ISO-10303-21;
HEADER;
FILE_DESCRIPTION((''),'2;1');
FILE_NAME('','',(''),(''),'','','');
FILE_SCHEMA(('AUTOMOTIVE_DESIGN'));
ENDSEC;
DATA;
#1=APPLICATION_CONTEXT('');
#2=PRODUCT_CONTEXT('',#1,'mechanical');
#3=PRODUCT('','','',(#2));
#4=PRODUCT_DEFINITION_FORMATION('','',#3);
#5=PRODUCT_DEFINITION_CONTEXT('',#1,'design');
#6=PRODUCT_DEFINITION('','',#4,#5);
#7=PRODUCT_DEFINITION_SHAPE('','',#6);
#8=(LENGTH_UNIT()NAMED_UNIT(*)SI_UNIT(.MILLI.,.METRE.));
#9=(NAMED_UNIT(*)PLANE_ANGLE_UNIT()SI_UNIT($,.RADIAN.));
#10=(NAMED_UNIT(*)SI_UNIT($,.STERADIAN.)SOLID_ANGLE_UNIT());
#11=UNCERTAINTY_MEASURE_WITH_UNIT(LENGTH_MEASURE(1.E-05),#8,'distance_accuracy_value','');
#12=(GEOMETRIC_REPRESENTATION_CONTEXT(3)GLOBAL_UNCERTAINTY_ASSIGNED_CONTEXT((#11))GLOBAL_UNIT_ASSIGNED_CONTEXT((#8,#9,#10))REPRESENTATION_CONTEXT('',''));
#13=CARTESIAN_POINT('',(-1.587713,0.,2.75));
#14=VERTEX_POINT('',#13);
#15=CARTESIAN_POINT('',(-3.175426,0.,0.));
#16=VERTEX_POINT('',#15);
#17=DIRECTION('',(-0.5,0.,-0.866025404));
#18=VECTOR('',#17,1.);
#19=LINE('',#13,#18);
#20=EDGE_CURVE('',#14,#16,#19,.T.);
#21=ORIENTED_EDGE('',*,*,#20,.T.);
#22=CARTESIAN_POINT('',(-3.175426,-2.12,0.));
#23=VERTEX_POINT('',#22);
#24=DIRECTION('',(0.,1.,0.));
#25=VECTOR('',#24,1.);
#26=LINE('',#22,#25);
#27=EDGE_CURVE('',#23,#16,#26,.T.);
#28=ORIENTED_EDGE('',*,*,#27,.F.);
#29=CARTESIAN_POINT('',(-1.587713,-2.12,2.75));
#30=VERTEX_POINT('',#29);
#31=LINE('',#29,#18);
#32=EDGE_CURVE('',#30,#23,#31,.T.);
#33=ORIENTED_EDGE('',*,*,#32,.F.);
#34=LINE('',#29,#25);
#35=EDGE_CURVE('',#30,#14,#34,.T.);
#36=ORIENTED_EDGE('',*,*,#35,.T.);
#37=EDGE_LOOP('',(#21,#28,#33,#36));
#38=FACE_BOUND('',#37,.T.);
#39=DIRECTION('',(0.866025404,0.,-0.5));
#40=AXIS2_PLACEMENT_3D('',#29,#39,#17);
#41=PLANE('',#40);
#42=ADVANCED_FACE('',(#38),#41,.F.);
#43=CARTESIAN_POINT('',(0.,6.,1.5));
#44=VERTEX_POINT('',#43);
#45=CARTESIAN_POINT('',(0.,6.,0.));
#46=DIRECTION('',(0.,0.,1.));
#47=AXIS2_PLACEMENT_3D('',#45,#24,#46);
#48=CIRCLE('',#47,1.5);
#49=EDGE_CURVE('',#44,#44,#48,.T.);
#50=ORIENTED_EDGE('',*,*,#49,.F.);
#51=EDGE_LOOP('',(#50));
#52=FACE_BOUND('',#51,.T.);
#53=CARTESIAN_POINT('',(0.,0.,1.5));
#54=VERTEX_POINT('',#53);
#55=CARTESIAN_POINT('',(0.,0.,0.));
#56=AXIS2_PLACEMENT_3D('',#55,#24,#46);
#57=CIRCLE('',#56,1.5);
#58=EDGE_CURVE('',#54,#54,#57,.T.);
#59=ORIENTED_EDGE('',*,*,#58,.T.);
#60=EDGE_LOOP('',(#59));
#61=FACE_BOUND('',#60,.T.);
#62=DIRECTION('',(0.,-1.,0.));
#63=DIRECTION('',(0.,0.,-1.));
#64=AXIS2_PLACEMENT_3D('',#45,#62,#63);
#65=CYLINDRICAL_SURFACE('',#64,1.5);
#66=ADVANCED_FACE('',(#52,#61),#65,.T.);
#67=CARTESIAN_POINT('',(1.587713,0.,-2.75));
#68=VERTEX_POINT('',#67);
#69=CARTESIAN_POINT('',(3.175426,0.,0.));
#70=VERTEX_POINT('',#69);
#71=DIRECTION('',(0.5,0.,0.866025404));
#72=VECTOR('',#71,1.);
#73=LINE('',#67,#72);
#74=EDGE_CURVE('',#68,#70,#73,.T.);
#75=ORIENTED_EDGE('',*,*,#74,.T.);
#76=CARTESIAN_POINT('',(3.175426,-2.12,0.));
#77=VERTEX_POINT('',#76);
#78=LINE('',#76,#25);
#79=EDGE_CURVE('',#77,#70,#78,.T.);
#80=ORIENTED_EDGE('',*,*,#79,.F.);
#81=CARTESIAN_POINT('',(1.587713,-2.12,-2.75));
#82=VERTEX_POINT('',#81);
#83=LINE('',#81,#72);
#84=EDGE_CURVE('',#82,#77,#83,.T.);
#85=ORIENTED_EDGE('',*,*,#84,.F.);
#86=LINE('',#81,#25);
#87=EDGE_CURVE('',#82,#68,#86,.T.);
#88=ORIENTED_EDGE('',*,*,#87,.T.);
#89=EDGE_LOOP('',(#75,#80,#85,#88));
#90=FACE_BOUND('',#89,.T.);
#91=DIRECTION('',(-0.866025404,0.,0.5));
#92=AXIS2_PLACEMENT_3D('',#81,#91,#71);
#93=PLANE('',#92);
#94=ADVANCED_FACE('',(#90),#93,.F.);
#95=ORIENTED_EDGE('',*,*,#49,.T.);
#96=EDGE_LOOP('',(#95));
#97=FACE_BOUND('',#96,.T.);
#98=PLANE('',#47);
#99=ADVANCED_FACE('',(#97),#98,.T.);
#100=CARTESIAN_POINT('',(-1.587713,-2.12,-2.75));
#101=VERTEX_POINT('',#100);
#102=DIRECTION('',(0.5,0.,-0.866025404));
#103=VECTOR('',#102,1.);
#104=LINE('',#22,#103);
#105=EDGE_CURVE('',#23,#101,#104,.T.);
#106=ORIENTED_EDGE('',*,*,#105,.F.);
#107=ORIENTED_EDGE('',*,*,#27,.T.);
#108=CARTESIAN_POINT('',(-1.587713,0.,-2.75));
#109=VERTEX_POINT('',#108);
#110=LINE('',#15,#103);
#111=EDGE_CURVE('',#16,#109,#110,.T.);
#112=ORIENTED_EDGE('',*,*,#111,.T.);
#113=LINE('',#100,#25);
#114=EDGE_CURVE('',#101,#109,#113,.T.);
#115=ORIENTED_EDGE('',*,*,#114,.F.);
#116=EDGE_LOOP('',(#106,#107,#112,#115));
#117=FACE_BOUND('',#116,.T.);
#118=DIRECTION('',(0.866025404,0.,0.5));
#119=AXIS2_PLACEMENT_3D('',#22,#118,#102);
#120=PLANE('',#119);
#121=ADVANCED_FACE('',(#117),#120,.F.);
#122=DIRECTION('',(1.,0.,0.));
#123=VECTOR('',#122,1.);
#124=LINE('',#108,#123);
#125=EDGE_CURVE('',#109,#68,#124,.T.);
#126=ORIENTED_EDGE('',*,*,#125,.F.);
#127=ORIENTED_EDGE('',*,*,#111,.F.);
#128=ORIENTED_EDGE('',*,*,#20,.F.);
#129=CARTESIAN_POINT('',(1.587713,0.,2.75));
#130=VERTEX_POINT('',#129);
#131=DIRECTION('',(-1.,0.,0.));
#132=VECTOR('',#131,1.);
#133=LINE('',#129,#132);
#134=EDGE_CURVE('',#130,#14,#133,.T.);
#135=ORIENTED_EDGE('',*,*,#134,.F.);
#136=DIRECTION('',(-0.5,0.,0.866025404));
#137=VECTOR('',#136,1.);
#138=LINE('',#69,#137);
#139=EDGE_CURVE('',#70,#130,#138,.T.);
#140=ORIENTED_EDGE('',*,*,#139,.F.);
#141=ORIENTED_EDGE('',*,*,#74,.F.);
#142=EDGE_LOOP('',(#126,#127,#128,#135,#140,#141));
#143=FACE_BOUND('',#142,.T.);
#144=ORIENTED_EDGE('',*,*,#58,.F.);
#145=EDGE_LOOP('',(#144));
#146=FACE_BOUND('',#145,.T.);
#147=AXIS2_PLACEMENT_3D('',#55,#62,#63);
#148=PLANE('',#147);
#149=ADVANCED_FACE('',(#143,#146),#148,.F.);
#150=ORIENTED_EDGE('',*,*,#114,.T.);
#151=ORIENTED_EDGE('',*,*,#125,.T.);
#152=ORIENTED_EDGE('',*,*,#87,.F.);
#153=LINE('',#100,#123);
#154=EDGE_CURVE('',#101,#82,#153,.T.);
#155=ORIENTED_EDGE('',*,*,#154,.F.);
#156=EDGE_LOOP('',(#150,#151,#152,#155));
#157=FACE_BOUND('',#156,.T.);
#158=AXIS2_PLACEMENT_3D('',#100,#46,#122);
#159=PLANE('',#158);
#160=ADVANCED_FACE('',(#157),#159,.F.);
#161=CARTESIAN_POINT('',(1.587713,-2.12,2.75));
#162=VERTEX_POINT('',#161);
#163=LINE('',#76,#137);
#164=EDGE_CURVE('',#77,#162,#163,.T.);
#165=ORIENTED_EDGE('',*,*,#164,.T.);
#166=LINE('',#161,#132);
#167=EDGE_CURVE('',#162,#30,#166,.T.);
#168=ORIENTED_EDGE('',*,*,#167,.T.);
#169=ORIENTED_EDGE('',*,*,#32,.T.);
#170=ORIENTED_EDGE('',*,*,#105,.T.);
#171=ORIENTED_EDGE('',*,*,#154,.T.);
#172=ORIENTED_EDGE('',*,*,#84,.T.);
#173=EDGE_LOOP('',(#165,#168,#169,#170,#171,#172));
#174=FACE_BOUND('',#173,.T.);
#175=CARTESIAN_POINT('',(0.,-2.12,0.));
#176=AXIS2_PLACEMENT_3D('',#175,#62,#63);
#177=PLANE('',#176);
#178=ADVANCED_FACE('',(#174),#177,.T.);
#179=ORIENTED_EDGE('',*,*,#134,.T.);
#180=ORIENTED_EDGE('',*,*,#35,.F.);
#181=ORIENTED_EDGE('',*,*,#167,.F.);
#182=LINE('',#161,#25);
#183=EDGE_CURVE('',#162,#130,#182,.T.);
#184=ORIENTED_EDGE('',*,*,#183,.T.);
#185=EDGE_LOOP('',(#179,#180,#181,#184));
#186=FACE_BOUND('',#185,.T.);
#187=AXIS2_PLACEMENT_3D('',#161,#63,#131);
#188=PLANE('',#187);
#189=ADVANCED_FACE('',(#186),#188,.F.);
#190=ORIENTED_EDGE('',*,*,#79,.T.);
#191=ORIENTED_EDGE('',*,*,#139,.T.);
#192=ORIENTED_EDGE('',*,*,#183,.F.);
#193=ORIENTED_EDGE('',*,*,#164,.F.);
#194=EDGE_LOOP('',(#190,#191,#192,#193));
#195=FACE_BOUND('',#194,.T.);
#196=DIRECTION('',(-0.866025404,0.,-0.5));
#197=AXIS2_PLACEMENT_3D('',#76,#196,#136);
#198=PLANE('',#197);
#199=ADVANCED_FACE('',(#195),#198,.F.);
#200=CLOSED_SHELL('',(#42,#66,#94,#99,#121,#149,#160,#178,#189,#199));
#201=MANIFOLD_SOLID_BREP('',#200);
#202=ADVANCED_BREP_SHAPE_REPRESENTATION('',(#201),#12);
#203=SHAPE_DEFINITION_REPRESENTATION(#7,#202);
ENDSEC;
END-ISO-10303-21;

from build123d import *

# Parameters (mm, degrees)
SKETCH_1_R      = 1.5
EXTRUDE_1_DEPTH = 6
EXTRUDE_2_DEPTH = 2.12


with BuildPart() as part:
    # 草图1 → 凸台-拉伸1 (new body)
    with BuildSketch(Plane(origin=(0, 0, 0), x_dir=(1, 0, 0), z_dir=(0, 1, 0))):
        with Locations(Location((0, 0, 0), (0, 0, 270))):
            Circle(SKETCH_1_R)
    extrude(amount=EXTRUDE_1_DEPTH)

    # 草图3 → 凸台-拉伸2 (add)
    with BuildSketch(Plane.XZ):
        Polygon((3.175426481, 0), (1.58771324, 2.75), (-1.58771324, 2.75), (-3.175426481, 0), (-1.58771324, -2.75), (1.58771324, -2.75), align=None)
    extrude(amount=EXTRUDE_2_DEPTH)


solid = part.part
